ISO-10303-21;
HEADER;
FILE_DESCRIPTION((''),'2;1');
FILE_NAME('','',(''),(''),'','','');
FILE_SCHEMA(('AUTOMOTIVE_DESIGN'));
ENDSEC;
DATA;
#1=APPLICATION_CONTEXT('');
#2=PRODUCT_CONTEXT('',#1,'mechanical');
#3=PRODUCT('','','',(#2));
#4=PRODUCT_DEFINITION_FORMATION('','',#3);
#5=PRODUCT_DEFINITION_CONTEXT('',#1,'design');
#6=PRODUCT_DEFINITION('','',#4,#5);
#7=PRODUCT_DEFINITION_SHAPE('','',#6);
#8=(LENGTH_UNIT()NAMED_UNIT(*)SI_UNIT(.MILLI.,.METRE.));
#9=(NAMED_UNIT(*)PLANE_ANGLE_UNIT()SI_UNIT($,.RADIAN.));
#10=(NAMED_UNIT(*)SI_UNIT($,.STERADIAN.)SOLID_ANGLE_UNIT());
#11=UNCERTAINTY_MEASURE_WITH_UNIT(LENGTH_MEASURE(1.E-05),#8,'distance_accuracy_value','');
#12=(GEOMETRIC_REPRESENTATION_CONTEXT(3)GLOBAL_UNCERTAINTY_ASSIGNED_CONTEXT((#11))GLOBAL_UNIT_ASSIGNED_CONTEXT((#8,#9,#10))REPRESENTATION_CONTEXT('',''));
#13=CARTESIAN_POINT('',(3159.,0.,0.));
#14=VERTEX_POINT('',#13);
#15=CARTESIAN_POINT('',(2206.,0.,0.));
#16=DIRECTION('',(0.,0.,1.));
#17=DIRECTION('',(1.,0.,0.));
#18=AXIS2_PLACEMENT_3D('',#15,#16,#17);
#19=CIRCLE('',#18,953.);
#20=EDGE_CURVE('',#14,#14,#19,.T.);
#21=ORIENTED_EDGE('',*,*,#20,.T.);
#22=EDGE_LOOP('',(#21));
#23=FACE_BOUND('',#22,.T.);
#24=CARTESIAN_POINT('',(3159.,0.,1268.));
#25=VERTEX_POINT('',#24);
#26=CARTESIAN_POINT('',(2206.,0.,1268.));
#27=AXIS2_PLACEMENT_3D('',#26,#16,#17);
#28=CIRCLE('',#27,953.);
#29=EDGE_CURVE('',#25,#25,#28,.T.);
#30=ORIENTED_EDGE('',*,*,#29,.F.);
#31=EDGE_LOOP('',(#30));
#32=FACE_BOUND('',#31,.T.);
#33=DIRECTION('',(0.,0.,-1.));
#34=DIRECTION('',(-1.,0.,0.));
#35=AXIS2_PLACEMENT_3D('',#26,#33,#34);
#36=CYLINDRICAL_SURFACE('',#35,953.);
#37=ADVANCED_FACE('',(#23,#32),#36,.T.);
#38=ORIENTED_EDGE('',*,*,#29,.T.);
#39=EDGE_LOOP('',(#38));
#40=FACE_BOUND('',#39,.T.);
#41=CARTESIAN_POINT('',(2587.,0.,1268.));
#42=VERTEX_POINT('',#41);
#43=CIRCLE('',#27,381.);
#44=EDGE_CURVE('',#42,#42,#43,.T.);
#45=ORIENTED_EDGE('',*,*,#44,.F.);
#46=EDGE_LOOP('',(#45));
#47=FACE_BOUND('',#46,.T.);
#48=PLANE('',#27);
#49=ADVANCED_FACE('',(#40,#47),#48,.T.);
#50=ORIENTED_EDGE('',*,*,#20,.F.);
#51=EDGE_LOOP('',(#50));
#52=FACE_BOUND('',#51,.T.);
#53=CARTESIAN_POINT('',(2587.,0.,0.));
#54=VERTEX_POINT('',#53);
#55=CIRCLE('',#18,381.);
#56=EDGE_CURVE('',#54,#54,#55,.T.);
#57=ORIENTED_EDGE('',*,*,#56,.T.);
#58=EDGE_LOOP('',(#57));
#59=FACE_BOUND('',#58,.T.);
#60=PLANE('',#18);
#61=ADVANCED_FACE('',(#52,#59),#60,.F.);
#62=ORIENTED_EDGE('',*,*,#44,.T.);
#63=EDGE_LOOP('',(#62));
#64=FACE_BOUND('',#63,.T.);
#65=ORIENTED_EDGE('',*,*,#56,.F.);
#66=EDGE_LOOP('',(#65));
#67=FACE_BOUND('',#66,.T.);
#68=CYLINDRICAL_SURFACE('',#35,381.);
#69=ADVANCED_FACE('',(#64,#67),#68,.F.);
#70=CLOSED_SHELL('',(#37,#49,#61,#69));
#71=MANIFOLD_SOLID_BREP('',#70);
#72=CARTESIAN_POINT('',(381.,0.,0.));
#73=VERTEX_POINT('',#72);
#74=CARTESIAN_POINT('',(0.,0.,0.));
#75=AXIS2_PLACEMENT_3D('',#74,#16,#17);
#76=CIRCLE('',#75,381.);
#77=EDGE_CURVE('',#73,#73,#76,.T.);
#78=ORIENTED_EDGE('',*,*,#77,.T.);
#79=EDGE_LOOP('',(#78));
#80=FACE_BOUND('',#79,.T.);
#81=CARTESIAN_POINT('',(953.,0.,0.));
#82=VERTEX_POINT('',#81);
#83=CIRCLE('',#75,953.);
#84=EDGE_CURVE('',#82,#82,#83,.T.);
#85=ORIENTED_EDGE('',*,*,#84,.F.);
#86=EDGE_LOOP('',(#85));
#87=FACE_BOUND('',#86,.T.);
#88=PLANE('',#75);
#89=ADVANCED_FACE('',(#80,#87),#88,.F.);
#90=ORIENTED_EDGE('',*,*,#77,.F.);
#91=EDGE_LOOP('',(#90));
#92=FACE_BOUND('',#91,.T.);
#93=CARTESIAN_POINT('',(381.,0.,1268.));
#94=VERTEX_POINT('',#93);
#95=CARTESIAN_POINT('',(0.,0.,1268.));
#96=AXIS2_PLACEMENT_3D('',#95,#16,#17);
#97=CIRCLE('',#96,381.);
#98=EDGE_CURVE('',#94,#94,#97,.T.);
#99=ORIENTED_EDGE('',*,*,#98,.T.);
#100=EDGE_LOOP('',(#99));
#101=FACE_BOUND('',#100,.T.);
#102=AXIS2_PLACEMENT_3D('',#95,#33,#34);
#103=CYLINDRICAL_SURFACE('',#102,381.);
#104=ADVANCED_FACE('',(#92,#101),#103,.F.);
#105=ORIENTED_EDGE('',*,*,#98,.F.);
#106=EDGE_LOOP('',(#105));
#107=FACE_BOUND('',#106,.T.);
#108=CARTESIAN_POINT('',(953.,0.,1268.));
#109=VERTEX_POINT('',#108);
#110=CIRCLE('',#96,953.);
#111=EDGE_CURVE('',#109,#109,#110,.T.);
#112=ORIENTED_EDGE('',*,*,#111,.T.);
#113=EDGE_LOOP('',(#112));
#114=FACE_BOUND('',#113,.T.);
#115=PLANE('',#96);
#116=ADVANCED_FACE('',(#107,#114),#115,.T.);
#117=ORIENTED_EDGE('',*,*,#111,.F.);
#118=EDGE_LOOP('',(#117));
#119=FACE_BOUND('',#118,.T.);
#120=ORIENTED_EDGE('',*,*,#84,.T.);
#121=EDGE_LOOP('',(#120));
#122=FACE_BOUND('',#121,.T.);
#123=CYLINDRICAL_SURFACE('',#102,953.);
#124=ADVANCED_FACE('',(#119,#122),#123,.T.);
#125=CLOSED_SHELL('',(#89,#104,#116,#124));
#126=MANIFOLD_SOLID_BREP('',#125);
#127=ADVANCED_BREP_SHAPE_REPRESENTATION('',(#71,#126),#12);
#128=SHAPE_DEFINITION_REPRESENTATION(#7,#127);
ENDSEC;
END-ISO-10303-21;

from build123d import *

# Parameters (mm, degrees)
SZKIC1_R                      = 953
SZKIC1_R_2                    = 381
DODANIE_WYCI_GNI_CIE1_DEPTH   = 1268
DODANIE_WYCI_GNI_CIE1_2_DEPTH = 1268


with BuildPart() as part:
    # Szkic1 → Dodanie-wyci_gni_cie1 (new body)
    with BuildSketch(Plane.XY):
        Circle(SZKIC1_R)
        Circle(SZKIC1_R_2, mode=Mode.SUBTRACT)
    extrude(amount=DODANIE_WYCI_GNI_CIE1_DEPTH)


with BuildPart() as body_2:
    # Szkic1 → Dodanie-wyci_gni_cie1 2 (new body)
    with BuildSketch(Plane.XY):
        with Locations((2206, 0)):
            Circle(SZKIC1_R)
        with Locations((2206, 0)):
            Circle(SZKIC1_R_2, mode=Mode.SUBTRACT)
    extrude(amount=DODANIE_WYCI_GNI_CIE1_2_DEPTH)


solid = Compound([part.part, body_2.part])
